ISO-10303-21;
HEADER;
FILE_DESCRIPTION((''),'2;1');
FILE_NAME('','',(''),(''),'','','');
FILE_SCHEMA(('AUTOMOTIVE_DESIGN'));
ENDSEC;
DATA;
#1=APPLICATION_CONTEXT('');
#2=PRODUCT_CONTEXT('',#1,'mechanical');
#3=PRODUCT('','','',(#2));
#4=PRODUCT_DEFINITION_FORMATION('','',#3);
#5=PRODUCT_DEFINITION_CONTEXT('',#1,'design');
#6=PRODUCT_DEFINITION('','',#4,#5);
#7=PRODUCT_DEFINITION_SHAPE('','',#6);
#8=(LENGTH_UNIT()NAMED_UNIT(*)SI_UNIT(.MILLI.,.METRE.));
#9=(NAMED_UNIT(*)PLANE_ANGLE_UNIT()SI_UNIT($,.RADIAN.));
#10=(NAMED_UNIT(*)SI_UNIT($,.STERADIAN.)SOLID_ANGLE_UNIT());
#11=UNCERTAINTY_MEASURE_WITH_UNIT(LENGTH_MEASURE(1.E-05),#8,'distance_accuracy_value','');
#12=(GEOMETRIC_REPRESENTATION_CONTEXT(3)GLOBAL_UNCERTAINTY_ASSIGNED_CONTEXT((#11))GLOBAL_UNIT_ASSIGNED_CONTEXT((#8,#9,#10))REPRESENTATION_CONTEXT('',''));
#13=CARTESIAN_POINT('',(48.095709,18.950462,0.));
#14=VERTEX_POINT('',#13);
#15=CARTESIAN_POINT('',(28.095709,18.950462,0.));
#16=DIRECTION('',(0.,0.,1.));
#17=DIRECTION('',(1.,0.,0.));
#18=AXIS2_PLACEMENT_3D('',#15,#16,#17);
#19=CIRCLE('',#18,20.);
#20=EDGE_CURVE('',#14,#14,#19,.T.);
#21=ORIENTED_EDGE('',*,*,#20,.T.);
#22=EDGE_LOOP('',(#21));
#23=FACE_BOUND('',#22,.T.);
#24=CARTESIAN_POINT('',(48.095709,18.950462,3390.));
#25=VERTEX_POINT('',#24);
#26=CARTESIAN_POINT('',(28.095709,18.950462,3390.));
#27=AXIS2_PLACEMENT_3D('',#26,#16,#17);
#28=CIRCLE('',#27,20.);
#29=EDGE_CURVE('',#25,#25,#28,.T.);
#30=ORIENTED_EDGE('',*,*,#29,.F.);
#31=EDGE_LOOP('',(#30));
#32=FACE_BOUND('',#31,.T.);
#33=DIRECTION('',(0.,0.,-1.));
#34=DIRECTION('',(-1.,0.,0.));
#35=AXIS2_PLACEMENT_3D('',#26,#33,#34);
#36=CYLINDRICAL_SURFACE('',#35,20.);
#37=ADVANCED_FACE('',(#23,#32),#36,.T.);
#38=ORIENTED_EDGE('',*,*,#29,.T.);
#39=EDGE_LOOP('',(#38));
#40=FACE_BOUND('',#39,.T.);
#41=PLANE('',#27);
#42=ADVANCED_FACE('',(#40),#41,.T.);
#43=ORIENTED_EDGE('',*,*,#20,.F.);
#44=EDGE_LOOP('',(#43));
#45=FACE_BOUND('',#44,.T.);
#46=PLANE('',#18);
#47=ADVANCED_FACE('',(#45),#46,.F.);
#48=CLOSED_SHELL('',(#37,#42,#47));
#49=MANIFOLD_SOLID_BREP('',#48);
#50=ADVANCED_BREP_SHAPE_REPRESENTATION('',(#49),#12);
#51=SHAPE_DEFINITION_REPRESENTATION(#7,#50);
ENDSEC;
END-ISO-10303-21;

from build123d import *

# Parameters (mm, degrees)
SKETCH2_R           = 20
BOSS_EXTRUDE2_DEPTH = 3390


with BuildPart() as part:
    # Sketch2 → Boss-Extrude2 (new body)
    with BuildSketch(Plane.XY):
        with Locations((28.095709439, 18.950461736)):
            Circle(SKETCH2_R)
    extrude(amount=BOSS_EXTRUDE2_DEPTH)


solid = part.part
